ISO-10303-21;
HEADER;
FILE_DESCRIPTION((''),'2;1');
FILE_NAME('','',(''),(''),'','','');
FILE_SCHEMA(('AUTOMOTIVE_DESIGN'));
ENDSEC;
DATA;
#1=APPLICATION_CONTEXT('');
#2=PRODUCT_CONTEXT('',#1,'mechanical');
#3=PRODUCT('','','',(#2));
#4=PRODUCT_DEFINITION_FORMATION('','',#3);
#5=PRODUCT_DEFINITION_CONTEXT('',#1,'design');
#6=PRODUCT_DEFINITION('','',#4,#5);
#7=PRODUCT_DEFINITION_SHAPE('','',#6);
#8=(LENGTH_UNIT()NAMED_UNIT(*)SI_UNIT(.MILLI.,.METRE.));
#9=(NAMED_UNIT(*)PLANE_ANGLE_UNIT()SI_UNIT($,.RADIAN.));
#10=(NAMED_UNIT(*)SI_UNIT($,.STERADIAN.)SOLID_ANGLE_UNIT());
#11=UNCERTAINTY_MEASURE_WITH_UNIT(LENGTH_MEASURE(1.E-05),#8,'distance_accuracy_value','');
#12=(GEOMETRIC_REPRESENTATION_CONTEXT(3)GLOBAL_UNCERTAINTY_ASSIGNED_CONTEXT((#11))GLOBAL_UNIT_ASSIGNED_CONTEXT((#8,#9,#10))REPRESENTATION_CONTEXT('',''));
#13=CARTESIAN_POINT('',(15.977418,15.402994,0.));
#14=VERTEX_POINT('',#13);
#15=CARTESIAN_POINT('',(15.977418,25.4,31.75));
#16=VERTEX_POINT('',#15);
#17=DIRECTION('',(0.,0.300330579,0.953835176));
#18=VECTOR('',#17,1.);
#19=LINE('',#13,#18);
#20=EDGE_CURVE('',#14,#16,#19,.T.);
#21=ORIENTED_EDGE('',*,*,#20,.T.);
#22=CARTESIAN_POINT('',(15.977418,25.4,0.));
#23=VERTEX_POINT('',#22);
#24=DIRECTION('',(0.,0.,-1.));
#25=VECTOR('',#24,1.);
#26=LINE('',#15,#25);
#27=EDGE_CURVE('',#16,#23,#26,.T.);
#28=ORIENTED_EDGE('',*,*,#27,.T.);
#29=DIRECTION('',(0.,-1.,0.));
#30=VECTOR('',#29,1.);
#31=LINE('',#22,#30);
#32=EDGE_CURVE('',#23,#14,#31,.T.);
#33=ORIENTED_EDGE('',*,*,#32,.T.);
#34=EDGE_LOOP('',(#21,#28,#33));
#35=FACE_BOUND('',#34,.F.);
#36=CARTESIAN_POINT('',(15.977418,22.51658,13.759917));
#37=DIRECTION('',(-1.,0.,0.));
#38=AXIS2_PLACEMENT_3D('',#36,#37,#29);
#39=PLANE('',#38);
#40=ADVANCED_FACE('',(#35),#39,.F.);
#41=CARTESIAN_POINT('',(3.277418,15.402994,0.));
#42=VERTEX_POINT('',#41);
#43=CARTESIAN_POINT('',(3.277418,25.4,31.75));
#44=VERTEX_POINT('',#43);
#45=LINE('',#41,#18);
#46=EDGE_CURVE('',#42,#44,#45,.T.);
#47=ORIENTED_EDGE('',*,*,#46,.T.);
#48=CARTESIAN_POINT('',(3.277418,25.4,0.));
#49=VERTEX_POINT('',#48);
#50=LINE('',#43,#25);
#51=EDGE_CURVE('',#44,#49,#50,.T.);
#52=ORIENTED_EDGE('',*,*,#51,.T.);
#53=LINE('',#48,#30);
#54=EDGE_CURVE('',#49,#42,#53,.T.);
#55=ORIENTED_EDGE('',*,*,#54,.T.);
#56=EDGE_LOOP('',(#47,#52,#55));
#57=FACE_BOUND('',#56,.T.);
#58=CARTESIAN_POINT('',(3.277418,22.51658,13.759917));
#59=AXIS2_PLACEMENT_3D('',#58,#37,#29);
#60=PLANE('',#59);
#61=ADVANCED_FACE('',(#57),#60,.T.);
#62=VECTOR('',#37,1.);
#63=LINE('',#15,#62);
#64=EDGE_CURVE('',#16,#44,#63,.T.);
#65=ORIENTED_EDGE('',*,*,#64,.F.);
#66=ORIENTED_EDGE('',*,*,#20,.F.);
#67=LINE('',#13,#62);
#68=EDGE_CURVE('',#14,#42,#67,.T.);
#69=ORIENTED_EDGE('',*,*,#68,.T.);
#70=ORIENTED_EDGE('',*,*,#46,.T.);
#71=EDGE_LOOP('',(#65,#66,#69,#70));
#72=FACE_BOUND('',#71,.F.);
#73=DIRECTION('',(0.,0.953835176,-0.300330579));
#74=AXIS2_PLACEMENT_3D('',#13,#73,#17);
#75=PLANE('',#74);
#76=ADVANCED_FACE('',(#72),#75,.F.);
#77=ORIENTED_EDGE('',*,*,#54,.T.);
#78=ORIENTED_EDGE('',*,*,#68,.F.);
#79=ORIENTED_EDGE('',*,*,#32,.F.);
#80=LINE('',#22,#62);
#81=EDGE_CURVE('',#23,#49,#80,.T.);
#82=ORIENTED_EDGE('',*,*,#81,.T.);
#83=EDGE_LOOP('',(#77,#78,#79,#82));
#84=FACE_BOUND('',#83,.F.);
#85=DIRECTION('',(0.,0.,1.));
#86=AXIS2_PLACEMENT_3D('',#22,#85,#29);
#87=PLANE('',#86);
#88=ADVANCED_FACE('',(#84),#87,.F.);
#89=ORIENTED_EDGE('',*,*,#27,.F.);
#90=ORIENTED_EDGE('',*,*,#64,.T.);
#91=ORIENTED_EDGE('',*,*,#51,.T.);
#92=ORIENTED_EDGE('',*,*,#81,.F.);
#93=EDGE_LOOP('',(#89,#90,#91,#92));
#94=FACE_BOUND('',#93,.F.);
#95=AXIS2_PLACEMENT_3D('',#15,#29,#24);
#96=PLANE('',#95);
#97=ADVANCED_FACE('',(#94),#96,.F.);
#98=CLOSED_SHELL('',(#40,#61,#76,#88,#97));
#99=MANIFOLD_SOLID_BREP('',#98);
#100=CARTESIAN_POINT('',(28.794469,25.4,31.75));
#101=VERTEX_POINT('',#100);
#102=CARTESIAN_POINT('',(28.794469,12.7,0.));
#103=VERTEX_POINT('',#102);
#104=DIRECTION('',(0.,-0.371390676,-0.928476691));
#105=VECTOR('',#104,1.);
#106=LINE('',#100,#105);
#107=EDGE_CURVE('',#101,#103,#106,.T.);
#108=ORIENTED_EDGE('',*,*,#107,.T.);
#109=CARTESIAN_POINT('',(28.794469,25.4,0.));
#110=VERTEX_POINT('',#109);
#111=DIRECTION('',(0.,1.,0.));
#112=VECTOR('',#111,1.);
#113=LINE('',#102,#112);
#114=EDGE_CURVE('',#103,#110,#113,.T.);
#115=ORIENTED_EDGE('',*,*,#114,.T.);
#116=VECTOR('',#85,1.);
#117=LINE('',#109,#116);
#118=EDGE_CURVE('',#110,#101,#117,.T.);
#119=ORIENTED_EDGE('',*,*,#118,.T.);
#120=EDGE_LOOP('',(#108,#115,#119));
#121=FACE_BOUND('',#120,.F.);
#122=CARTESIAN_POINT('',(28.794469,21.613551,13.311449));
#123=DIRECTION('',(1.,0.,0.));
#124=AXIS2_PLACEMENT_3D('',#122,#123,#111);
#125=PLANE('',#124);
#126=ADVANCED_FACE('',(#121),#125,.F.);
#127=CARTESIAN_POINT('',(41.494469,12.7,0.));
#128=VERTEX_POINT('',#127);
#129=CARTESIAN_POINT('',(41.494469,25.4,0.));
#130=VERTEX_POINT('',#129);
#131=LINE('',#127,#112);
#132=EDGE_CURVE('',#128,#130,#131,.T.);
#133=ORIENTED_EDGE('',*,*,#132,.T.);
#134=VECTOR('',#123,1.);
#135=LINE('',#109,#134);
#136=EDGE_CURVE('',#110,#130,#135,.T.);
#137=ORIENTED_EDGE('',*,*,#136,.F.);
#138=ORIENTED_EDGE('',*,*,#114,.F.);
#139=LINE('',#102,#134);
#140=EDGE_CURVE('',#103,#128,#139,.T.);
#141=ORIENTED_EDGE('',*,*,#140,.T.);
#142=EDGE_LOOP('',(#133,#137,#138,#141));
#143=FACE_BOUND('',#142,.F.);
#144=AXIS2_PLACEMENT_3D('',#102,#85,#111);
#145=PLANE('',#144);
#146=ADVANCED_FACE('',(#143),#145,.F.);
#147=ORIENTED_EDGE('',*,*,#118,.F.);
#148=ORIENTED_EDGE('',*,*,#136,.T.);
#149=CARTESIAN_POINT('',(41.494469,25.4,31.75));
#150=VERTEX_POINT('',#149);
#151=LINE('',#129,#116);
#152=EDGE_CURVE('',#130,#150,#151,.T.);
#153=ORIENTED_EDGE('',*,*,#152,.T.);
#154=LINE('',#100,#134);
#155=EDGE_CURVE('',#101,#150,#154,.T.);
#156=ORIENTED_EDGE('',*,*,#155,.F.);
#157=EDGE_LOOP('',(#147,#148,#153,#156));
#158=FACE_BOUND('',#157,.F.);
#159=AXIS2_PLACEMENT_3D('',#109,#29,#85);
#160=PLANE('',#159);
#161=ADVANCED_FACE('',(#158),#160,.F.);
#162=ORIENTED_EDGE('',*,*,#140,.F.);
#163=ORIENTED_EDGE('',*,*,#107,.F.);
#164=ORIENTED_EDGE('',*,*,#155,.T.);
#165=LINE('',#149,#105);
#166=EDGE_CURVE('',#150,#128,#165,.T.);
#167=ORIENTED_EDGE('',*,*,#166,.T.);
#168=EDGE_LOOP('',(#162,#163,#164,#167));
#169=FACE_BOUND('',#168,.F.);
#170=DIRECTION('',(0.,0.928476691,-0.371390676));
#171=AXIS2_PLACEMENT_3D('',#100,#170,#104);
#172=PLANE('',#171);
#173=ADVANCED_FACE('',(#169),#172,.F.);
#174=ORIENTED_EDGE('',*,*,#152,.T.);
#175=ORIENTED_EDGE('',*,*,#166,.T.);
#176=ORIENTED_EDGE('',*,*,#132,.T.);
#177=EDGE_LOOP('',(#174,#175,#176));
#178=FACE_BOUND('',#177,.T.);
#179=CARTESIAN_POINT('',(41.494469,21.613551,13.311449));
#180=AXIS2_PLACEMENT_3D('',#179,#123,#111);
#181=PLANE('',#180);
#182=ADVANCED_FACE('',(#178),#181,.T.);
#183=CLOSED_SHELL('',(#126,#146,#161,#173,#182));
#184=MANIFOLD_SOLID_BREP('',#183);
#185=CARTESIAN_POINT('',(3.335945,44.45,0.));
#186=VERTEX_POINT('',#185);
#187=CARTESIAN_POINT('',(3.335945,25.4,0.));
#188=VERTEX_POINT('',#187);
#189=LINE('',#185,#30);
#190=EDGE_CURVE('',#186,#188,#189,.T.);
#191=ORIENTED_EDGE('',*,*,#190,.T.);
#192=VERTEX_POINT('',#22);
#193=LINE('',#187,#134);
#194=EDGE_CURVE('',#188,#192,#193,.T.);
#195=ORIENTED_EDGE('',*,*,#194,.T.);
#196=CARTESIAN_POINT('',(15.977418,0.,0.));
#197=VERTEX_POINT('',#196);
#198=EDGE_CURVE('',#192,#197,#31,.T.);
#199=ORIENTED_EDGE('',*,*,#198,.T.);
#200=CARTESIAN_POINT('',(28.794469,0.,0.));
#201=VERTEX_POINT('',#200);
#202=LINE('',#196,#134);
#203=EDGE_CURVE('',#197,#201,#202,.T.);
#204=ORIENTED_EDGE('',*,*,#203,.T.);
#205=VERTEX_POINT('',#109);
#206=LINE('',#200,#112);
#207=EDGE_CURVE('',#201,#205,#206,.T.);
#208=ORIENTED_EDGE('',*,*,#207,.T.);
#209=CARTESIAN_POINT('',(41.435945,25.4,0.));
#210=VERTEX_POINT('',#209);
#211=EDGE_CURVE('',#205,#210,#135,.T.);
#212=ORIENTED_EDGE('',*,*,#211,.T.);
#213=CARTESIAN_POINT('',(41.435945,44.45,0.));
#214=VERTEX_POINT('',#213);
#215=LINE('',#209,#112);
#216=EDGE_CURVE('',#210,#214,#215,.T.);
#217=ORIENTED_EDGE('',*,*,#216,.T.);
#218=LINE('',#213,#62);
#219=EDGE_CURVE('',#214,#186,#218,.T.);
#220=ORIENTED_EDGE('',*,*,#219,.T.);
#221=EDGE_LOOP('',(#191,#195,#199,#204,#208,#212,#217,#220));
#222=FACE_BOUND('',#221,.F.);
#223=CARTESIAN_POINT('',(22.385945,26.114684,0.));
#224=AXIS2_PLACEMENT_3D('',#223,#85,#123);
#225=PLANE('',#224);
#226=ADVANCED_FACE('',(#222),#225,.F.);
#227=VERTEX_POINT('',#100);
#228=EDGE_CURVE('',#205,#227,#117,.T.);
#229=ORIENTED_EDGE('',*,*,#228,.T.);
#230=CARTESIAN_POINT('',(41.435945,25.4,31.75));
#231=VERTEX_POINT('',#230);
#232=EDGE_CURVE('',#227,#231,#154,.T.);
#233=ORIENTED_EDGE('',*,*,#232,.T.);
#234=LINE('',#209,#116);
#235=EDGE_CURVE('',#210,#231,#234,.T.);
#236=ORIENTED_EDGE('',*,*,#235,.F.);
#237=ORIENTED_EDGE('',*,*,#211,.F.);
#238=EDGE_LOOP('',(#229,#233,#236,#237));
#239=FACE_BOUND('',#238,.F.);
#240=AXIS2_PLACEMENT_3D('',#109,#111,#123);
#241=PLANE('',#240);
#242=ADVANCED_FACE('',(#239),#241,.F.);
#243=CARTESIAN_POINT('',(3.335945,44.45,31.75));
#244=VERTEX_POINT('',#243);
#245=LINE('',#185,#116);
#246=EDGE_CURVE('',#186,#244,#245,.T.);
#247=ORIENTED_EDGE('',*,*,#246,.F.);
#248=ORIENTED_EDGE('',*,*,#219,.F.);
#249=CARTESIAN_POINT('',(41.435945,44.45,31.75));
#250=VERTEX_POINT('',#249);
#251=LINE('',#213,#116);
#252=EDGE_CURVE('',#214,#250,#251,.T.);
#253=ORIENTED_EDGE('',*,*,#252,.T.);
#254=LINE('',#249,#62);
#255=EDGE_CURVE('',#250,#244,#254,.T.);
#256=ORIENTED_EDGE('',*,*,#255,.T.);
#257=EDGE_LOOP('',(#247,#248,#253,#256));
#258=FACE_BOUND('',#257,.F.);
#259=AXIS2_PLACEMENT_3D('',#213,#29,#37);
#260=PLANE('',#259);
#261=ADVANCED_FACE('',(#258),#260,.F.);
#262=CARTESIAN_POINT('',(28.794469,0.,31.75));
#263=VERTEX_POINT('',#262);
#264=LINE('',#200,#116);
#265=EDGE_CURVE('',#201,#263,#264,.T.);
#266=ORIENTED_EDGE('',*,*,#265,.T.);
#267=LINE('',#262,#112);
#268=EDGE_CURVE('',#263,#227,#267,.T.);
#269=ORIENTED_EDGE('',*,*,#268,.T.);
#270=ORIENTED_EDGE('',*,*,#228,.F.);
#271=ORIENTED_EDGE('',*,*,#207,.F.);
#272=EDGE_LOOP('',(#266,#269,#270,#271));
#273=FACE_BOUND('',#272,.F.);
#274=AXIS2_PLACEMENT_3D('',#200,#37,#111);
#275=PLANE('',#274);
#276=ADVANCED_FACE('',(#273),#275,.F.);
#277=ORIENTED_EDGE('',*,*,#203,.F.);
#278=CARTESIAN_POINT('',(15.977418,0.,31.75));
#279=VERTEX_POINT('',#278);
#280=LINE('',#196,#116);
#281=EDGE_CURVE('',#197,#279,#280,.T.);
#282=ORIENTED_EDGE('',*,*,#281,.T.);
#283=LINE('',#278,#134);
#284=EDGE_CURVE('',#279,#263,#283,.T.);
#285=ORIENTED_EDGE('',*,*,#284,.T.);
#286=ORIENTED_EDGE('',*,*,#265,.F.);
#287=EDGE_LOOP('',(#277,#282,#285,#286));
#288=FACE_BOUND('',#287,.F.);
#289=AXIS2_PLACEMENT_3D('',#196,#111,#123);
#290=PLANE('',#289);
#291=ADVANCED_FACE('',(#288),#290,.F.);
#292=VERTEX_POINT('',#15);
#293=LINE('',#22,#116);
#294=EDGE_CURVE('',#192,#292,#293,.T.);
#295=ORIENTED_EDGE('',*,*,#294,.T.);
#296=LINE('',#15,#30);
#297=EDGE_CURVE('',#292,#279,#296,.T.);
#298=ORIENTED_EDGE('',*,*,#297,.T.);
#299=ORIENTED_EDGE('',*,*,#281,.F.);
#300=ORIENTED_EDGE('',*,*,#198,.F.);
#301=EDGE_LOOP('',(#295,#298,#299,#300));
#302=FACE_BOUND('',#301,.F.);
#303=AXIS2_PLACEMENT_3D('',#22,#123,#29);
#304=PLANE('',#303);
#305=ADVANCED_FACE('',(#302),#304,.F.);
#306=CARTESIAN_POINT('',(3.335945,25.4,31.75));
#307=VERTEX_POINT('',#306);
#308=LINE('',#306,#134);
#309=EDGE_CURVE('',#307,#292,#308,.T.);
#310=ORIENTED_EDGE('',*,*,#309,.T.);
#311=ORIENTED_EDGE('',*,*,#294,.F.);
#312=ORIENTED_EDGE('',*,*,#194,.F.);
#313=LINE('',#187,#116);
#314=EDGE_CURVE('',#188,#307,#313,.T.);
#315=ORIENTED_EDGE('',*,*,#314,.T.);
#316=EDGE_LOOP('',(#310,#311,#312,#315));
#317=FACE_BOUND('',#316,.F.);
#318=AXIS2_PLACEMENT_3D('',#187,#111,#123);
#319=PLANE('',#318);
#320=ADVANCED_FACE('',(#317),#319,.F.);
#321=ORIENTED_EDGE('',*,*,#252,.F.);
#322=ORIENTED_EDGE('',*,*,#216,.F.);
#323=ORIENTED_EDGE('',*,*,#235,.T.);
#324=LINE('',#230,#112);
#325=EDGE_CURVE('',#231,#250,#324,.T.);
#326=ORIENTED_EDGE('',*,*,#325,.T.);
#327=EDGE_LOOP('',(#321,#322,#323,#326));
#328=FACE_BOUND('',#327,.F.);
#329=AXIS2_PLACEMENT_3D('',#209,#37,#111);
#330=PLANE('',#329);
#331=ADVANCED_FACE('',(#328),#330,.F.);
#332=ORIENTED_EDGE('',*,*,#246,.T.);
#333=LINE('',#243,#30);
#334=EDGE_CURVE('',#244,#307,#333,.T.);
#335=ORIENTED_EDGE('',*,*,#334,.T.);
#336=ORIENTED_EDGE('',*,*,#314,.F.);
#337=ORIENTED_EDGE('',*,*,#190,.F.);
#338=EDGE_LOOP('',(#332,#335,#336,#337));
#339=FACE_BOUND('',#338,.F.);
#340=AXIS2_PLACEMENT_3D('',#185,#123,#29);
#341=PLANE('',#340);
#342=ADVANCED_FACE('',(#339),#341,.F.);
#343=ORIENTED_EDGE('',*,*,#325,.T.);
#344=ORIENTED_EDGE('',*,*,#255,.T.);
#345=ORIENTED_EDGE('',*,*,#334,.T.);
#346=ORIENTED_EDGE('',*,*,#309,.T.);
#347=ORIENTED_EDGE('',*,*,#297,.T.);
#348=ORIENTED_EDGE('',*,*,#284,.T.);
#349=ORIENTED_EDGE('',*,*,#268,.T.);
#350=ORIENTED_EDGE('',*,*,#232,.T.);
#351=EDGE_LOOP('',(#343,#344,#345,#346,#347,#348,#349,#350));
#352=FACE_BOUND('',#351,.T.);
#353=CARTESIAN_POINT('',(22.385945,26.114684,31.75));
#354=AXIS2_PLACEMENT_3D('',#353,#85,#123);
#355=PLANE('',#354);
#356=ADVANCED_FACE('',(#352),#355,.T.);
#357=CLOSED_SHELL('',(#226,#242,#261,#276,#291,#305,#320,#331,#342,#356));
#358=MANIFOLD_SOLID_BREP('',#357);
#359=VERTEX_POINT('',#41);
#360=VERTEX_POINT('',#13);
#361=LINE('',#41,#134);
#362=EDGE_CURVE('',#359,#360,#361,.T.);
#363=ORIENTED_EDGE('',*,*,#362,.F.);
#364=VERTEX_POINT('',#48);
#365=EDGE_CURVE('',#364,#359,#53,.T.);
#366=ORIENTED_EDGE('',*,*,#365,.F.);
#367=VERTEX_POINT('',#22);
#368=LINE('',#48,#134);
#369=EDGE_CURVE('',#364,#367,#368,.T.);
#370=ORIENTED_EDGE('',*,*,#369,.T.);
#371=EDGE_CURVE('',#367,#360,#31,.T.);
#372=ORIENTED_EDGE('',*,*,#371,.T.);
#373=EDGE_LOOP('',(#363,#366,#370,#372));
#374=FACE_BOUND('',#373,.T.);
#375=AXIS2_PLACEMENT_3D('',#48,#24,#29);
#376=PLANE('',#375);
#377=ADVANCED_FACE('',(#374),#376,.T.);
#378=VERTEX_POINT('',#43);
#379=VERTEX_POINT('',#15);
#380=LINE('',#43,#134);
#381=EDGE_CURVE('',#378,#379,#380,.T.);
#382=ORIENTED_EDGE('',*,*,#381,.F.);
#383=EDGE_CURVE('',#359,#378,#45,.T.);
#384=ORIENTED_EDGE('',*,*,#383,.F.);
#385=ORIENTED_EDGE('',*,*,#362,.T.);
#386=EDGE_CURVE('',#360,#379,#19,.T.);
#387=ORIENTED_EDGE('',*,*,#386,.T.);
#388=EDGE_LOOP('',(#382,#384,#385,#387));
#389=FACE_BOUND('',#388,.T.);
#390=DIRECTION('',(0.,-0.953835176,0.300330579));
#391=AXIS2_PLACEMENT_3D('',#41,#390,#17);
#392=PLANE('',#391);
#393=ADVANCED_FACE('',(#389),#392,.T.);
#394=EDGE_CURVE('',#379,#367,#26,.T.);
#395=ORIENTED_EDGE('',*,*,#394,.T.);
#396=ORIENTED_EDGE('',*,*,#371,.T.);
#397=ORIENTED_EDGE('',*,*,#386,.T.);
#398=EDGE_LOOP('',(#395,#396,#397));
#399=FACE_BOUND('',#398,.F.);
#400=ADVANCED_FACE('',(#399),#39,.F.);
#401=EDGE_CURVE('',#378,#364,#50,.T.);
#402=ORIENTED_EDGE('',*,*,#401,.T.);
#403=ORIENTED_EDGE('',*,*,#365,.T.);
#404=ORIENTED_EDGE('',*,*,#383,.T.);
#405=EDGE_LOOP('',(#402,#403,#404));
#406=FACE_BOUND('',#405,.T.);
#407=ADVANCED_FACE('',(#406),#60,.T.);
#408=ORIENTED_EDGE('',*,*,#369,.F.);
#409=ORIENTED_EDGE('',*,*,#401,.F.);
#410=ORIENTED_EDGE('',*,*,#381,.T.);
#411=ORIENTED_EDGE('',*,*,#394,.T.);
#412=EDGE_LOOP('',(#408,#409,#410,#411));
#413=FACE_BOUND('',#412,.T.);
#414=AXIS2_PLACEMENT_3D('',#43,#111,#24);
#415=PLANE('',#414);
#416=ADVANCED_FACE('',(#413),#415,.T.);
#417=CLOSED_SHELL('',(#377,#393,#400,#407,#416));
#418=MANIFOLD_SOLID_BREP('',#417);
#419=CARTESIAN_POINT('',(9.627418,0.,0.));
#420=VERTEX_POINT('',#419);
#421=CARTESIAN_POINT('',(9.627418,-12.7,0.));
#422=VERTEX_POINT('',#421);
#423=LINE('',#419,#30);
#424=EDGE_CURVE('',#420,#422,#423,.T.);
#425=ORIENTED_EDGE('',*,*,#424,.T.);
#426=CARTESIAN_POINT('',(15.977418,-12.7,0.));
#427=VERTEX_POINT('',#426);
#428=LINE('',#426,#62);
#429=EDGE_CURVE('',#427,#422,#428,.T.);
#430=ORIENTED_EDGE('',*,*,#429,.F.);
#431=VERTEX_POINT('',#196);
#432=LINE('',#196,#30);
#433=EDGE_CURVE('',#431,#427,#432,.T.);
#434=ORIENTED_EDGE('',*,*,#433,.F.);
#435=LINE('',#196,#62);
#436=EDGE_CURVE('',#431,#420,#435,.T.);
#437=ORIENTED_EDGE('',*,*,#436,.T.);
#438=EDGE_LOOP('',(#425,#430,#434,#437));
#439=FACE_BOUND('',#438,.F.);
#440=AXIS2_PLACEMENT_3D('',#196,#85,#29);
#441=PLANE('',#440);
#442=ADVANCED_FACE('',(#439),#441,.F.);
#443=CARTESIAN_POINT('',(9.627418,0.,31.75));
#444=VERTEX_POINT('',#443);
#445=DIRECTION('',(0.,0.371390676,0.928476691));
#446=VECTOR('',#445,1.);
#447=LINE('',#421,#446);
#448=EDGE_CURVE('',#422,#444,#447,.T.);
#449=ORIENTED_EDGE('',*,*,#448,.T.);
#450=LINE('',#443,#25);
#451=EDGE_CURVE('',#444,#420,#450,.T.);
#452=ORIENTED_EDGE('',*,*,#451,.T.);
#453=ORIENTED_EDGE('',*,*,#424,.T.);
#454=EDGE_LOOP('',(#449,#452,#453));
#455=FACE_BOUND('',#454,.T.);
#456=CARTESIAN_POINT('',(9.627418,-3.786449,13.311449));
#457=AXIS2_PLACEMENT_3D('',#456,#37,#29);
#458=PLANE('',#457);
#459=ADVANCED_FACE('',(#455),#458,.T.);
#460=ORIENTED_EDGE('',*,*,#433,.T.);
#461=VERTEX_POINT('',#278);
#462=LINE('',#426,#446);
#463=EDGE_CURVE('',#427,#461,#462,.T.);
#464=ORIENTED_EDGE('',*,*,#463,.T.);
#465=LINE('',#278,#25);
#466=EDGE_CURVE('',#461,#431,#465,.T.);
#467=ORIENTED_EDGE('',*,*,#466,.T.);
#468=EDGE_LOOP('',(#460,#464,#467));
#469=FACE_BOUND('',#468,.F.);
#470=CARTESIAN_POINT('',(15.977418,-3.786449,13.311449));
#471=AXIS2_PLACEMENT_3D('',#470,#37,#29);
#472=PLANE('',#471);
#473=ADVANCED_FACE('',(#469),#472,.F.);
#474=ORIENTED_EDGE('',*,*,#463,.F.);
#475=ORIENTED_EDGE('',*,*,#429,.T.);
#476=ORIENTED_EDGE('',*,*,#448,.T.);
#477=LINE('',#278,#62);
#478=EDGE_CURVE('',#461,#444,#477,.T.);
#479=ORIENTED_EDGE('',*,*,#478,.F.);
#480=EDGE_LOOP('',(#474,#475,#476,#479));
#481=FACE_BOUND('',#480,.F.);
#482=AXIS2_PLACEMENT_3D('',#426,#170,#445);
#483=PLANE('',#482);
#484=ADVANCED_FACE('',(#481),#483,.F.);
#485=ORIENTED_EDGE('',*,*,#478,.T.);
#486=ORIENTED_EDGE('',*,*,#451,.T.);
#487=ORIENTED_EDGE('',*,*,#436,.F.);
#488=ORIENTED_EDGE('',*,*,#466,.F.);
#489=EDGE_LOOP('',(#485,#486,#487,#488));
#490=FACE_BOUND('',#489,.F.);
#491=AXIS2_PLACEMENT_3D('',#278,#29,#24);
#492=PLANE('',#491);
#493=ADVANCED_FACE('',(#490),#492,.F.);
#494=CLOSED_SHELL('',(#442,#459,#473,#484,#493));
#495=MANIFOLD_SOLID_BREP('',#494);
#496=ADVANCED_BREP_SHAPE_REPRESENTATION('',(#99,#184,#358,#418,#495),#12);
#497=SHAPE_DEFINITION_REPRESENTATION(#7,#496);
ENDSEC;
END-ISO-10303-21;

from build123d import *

# Parameters (mm, degrees)
F1_DEPTH = 31.75
F3_DEPTH = 12.7
F5_DEPTH = 12.7
F7_DEPTH = 6.35


with BuildPart() as f1:
    # F0 (on Top) → F1 (new body)
    with BuildSketch(Plane.XY):
        Polygon((15.9774183193, 25.4), (15.9774183193, 0), (28.7944694649, 0), (28.7944694649, 25.4), (41.4359450386, 25.4), (41.4359450386, 44.45), (3.3359450386, 44.45), (3.3359450386, 25.4), align=None)
    extrude(amount=F1_DEPTH)


with BuildPart() as f3:
    # F2 (on face) → F3 (new body)
    with BuildSketch(Plane(origin=(15.9774183193, 0, 0), x_dir=(0, -1, 0), z_dir=(-1, 0, 0))):
        Polygon((-15.4029941186, 0), (-25.4, 31.75), (-25.4, 0), align=None)
    extrude(amount=F3_DEPTH)


with BuildPart() as f5:
    # F4 (on face) + F3_face (on face) → F5 (new body)
    with BuildSketch(Plane.YZ.offset(28.7944694649)):
        Polygon((25.4, 0), (25.4, 31.75), (12.7, 0), align=None)
    with BuildSketch(Plane(origin=(3.2774183193, 22.0676647062, 10.5833333333), x_dir=(0, -1, 0), z_dir=(-1, 0, 0))):
        Polygon((6.6646705876, -10.5833333333), (-3.3323352938, 21.1666666667), (-3.3323352938, -10.5833333333), align=None)
    extrude(amount=F5_DEPTH, dir=(1, 0, 0))


with BuildPart() as f7:
    # F6 (on face) → F7 (new body)
    with BuildSketch(Plane(origin=(15.9774183193, 0, 0), x_dir=(0, -1, 0), z_dir=(-1, 0, 0))):
        Polygon((12.7, 0), (0, 31.75), (0, 0), align=None)
    extrude(amount=F7_DEPTH)


solid = Compound([f1.part, f3.part, f5.part, f7.part])
